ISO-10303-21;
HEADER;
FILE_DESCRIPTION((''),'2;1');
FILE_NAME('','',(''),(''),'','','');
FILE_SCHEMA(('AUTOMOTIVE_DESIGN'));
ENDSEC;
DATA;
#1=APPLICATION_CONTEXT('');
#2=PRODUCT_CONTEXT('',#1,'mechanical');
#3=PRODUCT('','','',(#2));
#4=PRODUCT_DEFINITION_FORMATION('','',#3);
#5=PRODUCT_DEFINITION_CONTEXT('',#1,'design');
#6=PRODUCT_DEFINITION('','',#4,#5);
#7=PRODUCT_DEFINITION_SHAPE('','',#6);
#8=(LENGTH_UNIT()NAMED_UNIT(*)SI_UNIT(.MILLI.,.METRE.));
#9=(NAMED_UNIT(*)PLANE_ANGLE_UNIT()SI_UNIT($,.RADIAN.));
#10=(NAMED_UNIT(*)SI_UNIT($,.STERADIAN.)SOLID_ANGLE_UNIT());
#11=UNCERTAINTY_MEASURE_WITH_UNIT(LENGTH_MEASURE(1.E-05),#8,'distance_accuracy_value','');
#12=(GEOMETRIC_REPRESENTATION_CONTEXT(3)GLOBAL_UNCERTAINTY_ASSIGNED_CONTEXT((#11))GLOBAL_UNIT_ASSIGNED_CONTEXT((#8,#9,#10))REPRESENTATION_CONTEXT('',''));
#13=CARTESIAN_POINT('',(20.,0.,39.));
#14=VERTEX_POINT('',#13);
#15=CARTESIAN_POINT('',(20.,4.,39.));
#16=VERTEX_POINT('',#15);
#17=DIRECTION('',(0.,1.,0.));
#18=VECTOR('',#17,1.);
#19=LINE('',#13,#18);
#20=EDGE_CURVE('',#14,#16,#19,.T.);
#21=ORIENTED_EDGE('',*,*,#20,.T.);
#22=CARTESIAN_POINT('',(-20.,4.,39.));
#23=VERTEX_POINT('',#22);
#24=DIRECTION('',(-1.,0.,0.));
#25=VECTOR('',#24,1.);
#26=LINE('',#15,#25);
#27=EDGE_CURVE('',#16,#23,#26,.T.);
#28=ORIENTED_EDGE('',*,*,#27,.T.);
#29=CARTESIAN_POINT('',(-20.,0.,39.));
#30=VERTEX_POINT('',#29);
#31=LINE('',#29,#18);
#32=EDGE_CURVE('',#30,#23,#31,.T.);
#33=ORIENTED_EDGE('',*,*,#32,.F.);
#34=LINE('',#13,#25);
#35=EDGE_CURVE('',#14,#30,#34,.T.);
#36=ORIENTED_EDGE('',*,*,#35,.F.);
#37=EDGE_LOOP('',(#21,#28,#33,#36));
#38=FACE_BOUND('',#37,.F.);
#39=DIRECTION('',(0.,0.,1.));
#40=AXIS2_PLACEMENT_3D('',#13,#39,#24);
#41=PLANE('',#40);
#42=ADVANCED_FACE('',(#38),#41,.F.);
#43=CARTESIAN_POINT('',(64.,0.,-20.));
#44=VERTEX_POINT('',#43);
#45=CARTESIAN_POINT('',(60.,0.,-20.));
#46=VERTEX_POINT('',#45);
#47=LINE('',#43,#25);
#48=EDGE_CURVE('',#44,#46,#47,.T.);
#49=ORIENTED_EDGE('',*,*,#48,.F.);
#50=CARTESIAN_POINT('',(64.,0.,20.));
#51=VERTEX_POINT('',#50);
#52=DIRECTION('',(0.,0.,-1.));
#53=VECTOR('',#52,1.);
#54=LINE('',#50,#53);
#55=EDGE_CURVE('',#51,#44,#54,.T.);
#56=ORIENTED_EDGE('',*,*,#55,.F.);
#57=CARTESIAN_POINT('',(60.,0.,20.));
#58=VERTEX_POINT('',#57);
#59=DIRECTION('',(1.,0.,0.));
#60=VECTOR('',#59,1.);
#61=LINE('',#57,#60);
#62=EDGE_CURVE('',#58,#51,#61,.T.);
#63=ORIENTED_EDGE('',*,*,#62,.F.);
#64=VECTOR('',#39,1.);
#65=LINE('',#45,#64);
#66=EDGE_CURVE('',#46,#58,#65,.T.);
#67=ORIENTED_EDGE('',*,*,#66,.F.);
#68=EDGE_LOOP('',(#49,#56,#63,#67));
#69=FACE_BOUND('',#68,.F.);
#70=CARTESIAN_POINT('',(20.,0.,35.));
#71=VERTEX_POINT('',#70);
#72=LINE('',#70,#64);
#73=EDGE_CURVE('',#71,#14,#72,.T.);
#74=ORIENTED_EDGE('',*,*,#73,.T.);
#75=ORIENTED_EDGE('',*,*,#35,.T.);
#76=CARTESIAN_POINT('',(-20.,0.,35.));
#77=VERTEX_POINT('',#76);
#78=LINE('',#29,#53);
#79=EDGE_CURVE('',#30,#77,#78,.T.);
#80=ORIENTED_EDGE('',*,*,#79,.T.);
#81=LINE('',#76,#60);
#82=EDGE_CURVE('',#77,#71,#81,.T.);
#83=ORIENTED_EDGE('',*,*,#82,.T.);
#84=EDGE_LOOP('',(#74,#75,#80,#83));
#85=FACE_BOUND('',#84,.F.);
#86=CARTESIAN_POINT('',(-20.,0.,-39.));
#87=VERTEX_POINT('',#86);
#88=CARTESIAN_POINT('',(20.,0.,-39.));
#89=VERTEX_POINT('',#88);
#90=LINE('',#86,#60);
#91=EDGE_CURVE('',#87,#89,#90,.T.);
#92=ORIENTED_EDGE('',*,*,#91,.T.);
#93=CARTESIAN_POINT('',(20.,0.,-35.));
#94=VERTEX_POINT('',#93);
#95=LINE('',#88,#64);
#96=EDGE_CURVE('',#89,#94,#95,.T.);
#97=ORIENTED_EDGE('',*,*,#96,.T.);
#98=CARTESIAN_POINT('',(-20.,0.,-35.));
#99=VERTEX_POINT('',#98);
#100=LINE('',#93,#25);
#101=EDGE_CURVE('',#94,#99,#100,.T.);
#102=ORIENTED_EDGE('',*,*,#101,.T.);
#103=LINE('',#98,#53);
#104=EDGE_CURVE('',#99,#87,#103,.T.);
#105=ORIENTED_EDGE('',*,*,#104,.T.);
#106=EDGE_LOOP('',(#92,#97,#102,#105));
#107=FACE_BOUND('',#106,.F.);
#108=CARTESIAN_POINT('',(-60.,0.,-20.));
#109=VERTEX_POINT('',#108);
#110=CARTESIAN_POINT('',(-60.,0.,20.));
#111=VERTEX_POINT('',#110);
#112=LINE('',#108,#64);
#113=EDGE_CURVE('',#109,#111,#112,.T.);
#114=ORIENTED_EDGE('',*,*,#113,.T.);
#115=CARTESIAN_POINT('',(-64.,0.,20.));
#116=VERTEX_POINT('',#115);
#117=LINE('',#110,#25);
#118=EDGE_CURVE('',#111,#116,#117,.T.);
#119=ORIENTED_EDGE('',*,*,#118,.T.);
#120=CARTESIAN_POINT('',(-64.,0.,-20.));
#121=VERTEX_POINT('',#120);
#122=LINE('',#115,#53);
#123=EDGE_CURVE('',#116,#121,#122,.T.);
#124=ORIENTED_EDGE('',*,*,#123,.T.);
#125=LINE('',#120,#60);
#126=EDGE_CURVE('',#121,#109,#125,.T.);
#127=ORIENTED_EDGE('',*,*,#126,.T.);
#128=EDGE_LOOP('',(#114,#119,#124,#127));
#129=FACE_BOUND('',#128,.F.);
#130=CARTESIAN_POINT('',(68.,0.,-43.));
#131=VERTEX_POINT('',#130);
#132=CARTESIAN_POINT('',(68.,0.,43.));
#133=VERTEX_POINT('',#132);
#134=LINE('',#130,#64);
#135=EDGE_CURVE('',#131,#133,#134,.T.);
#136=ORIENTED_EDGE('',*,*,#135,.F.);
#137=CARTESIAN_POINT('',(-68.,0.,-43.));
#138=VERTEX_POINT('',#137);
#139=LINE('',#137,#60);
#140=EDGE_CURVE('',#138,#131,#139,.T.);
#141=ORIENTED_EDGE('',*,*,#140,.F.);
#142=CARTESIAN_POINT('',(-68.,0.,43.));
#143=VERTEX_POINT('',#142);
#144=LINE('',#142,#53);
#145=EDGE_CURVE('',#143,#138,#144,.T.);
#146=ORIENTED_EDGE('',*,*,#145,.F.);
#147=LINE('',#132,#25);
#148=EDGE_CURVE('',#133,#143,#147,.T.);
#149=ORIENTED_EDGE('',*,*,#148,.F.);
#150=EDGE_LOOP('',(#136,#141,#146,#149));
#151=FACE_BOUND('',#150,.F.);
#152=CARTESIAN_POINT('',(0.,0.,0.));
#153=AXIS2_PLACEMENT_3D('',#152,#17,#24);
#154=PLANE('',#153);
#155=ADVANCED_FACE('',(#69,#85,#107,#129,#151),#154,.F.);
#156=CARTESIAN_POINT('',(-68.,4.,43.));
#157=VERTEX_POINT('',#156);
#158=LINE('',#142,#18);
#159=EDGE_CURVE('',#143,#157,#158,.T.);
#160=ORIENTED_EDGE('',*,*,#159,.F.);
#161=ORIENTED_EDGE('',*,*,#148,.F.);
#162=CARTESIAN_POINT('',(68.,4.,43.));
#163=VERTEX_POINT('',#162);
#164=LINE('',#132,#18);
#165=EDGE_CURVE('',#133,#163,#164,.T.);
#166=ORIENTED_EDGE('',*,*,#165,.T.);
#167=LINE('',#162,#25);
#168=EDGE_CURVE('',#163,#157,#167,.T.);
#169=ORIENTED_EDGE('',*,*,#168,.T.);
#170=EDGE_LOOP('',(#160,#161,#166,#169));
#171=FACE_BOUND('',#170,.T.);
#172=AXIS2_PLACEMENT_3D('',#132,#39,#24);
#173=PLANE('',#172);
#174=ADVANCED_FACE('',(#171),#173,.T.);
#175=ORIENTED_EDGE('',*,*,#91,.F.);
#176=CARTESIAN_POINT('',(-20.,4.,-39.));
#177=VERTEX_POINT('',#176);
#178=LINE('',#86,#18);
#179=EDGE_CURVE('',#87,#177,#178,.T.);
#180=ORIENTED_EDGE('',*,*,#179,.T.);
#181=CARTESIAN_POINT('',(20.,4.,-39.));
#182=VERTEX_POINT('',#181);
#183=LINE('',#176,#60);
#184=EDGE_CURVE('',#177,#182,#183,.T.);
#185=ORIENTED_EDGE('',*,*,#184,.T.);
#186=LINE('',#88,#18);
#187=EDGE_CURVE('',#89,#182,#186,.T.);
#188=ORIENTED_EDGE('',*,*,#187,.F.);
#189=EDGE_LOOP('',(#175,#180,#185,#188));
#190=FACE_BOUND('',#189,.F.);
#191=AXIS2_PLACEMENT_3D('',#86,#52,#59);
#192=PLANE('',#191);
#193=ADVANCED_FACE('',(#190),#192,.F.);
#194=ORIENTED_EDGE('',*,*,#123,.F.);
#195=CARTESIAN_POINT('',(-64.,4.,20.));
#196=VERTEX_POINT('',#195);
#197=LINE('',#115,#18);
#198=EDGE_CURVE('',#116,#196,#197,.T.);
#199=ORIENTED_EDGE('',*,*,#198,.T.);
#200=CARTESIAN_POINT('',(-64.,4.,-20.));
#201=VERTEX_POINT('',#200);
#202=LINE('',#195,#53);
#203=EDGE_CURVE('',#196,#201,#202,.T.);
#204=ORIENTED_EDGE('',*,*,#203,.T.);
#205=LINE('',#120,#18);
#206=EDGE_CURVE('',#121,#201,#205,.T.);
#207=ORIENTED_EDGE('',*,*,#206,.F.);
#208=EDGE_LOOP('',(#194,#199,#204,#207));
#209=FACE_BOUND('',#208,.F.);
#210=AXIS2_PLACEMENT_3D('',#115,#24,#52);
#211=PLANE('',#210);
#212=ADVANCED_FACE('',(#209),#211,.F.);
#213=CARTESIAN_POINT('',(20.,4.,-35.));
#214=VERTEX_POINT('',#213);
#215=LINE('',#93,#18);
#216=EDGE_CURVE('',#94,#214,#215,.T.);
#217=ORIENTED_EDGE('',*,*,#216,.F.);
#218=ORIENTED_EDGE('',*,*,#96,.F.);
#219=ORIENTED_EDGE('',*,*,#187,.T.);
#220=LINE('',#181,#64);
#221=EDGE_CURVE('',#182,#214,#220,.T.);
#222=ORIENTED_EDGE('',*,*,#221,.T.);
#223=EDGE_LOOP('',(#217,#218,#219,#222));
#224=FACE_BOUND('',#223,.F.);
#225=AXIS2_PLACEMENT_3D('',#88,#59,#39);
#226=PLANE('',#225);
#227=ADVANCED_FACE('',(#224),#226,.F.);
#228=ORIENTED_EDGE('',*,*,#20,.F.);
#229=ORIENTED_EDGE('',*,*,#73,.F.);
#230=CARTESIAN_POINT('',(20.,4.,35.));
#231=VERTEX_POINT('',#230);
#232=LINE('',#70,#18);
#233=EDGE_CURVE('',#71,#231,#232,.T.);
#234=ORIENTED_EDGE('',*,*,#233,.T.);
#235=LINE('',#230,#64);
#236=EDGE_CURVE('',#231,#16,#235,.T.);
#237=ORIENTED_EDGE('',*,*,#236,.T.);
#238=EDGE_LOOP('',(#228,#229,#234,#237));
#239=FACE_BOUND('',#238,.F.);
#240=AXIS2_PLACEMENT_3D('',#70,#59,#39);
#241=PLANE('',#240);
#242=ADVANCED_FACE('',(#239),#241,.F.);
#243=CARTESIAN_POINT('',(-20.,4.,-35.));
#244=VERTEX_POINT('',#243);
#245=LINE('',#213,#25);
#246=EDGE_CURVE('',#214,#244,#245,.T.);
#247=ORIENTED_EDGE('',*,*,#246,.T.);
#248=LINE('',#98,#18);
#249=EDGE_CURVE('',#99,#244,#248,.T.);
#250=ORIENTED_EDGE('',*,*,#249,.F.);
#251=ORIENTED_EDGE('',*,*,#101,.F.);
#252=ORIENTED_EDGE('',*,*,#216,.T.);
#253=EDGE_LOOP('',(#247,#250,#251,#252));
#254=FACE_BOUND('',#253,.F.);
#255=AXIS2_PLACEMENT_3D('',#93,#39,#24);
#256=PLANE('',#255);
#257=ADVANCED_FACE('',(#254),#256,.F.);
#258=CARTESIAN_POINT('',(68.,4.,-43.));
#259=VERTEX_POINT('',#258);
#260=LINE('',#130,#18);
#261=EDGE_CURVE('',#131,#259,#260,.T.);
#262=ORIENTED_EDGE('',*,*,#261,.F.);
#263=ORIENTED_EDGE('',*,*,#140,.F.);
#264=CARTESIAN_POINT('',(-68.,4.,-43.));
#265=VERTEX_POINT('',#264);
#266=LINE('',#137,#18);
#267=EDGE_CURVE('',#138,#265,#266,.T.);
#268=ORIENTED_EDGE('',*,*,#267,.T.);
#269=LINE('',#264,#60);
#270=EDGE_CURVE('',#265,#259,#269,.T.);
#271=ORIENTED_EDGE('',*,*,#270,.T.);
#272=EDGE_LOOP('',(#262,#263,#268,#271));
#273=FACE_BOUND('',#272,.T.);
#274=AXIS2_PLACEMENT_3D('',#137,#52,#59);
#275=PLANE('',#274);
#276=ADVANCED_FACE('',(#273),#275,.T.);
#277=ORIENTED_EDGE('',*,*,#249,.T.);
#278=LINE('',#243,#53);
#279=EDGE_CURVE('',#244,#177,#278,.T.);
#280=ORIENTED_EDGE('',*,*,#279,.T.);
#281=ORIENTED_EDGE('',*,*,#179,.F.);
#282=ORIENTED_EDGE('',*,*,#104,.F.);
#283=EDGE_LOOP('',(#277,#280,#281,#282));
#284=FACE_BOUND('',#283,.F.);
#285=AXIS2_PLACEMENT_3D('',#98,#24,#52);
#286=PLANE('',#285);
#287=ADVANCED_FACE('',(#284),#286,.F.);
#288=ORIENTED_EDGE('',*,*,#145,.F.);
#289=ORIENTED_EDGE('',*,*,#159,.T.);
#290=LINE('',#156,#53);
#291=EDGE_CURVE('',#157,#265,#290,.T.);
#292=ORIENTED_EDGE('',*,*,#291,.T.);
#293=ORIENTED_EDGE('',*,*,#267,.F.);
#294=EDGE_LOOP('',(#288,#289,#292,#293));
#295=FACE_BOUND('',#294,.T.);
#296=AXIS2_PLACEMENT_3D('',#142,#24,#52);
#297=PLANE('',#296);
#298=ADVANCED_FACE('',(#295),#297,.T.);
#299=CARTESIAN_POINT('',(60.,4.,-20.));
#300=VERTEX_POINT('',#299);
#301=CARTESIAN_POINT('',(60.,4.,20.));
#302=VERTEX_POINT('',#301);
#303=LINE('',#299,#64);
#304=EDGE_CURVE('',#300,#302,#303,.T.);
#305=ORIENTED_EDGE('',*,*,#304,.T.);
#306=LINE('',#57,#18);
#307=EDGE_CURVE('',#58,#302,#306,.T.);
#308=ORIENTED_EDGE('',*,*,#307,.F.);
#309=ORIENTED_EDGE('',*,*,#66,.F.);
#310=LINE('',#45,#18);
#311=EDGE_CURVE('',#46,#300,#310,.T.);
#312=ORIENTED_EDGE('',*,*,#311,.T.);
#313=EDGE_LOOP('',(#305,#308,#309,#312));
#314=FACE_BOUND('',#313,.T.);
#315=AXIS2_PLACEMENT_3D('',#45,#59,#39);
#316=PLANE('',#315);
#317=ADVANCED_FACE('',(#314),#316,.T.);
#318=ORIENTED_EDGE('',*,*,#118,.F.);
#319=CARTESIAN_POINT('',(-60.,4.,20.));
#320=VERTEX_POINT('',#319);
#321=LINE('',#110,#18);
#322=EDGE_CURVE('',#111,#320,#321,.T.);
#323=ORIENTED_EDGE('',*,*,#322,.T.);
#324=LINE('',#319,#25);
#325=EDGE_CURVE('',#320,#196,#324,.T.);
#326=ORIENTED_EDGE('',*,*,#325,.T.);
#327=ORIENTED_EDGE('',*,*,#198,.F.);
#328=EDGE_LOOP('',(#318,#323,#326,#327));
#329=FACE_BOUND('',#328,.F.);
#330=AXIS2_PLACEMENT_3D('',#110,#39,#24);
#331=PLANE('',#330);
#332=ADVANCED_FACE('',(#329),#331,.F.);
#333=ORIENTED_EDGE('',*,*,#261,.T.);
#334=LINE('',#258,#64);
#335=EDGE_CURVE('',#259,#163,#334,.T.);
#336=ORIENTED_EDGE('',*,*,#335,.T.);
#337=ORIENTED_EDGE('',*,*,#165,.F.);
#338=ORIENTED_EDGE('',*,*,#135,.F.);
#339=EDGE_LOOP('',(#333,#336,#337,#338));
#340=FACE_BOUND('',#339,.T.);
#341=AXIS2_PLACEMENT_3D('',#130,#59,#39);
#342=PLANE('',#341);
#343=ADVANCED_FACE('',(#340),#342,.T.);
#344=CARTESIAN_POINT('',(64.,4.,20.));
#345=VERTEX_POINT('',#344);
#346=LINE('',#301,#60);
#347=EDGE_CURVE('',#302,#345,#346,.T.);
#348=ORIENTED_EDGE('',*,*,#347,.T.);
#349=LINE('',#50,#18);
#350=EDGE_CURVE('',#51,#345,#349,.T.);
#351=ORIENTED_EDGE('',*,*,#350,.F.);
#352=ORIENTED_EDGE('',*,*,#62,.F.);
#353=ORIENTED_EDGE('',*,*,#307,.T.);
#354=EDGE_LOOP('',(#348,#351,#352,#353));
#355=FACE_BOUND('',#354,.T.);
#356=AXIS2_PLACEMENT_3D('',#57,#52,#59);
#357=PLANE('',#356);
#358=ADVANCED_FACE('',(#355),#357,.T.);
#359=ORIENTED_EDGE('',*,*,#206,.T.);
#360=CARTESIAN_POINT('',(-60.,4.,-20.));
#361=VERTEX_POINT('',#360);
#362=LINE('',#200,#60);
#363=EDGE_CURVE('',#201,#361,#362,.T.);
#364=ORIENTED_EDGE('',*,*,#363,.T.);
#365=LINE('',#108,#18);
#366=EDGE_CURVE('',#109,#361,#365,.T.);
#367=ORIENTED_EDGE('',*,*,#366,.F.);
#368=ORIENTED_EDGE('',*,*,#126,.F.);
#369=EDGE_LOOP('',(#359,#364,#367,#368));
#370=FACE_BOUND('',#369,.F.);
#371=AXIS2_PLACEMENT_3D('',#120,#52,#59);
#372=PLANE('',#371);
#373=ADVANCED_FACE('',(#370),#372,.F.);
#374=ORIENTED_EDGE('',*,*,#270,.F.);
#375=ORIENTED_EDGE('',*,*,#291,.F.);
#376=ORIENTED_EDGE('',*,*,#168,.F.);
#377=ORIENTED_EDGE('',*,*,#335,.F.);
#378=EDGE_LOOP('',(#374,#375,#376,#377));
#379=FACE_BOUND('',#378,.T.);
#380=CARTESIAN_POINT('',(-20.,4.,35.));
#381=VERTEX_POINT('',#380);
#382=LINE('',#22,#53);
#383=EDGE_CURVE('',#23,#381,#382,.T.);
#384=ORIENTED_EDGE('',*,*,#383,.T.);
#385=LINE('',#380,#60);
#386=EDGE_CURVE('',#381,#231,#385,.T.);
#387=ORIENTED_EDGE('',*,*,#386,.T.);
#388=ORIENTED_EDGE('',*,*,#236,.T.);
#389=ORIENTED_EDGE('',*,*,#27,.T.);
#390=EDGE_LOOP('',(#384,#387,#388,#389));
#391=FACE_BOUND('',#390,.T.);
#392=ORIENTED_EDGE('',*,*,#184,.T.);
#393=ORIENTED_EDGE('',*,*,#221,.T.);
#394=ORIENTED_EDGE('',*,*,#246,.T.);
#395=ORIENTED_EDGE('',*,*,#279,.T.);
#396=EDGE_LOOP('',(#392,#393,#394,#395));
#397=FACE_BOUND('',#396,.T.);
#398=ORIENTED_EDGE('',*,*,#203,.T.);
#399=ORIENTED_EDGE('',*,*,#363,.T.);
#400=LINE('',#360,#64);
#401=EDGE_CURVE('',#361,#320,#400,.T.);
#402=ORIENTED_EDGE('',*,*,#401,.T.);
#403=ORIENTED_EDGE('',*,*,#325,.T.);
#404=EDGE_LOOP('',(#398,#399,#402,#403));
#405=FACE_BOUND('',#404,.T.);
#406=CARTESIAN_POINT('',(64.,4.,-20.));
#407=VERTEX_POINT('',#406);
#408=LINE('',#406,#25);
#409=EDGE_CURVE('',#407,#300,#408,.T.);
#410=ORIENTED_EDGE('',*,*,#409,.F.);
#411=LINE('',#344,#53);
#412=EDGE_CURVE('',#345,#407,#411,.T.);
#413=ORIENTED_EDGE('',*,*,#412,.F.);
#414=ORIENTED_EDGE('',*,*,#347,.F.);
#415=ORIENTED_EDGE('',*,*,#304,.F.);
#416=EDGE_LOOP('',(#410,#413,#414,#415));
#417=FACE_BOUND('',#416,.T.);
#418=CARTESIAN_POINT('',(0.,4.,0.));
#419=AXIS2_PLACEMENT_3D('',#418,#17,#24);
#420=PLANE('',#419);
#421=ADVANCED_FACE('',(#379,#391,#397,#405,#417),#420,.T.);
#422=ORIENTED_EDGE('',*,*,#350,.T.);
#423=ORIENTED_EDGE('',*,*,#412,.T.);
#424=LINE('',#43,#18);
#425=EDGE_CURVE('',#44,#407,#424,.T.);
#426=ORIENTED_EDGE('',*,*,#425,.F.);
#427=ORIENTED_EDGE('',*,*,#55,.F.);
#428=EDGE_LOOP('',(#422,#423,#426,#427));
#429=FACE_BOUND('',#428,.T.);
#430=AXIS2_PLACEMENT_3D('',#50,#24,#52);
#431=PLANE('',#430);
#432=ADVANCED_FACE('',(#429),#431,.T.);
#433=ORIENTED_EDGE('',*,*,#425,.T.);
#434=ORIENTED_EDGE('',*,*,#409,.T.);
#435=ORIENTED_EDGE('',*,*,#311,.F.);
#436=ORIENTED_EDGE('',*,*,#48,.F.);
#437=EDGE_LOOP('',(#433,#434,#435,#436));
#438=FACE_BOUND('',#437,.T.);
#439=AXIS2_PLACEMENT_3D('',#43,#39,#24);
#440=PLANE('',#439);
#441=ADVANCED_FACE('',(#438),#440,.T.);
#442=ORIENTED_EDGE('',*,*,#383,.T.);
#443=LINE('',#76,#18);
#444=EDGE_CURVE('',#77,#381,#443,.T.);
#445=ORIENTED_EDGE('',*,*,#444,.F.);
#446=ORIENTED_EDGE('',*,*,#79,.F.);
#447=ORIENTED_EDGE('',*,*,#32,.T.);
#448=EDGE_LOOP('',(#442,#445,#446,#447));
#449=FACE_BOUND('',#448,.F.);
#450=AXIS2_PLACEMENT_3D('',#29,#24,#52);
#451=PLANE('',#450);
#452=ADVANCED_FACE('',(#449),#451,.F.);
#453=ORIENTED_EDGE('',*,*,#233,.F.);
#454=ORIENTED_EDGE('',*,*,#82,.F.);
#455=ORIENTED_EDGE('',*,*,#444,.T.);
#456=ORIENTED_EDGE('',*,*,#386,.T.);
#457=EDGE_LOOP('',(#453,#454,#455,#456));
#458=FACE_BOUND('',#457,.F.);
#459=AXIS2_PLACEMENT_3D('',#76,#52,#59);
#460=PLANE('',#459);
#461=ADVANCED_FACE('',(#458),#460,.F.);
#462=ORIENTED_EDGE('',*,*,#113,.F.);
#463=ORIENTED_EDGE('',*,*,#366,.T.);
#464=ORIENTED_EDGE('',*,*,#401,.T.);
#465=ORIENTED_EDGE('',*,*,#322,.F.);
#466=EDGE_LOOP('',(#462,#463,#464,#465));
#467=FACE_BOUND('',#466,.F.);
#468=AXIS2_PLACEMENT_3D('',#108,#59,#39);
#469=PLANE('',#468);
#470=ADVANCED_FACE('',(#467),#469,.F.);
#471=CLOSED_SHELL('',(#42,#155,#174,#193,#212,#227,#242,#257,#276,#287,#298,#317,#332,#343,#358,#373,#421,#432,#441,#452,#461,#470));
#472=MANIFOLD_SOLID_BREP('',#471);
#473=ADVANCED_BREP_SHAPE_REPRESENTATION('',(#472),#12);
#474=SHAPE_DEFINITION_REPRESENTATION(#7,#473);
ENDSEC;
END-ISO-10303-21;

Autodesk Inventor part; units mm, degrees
ref_plane "YZ Plane" through (0, 0, 0) normal (1, 0, 0) x (0, 1, 0)
ref_plane "XZ Plane" through (0, 0, 0) normal (0, 1, 0) x (-1, 0, 0)
ref_plane "XY Plane" through (0, 0, 0) normal (0, 0, 1) x (1, 0, 0)
sketch "Sketch1" plane through (0, 0, 0) normal (0, 1, 0) x (-1, 0, 0)
  line L0 (60, -35) -> (-60, -35) construction
  line L1 (-60, -35) -> (-60, 35) construction
  line L2 (-60, 35) -> (60, 35) construction
  line L3 (60, 35) -> (60, -35) construction
  line L4 (64, -39) -> (-64, -39) construction
  line L5 (-64, -39) -> (-64, 39) construction
  line L6 (-64, 39) -> (64, 39) construction
  line L7 (64, 39) -> (64, -39) construction
  line L8 (68, -43) -> (-68, -43)
  line L9 (-68, -43) -> (-68, 43)
  line L10 (-68, 43) -> (68, 43)
  line L11 (68, 43) -> (68, -43)
  line L12 (64, -20) -> (60, -20)
  line L13 (60, -20) -> (60, 20)
  line L14 (60, 20) -> (64, 20)
  line L15 (64, 20) -> (64, -20)
  line L16 (-60, 20) -> (-64, 20)
  line L17 (-64, 20) -> (-64, -20)
  line L18 (-64, -20) -> (-60, -20)
  line L19 (-60, -20) -> (-60, 20)
  line L20 (-20, -35) -> (20, -35)
  line L21 (20, -35) -> (20, -39)
  line L22 (20, -39) -> (-20, -39)
  line L23 (-20, -39) -> (-20, -35)
  line L24 (20, 35) -> (-20, 35)
  line L25 (-20, 35) -> (-20, 39)
  line L26 (-20, 39) -> (20, 39)
  line L27 (20, 39) -> (20, 35)
  point P0 (0, 0)
  point P1 (0, -35)
  point P2 (60, 0)
  point P3 (60, 0)
  point P4 (0, -35)
  point P5 (62, 20)
  point P6 (62, -20)
  dimension "d0" = 4
  dimension "d1" = 4
  dimension "d2" = 120
  dimension "d3" = 70
  dimension "d4" = 40
extrude "Extrusion1" add sketch "Sketch1" along normal blind 4
properties part number "Top_12wx70d" material "Wood (Oak)"
